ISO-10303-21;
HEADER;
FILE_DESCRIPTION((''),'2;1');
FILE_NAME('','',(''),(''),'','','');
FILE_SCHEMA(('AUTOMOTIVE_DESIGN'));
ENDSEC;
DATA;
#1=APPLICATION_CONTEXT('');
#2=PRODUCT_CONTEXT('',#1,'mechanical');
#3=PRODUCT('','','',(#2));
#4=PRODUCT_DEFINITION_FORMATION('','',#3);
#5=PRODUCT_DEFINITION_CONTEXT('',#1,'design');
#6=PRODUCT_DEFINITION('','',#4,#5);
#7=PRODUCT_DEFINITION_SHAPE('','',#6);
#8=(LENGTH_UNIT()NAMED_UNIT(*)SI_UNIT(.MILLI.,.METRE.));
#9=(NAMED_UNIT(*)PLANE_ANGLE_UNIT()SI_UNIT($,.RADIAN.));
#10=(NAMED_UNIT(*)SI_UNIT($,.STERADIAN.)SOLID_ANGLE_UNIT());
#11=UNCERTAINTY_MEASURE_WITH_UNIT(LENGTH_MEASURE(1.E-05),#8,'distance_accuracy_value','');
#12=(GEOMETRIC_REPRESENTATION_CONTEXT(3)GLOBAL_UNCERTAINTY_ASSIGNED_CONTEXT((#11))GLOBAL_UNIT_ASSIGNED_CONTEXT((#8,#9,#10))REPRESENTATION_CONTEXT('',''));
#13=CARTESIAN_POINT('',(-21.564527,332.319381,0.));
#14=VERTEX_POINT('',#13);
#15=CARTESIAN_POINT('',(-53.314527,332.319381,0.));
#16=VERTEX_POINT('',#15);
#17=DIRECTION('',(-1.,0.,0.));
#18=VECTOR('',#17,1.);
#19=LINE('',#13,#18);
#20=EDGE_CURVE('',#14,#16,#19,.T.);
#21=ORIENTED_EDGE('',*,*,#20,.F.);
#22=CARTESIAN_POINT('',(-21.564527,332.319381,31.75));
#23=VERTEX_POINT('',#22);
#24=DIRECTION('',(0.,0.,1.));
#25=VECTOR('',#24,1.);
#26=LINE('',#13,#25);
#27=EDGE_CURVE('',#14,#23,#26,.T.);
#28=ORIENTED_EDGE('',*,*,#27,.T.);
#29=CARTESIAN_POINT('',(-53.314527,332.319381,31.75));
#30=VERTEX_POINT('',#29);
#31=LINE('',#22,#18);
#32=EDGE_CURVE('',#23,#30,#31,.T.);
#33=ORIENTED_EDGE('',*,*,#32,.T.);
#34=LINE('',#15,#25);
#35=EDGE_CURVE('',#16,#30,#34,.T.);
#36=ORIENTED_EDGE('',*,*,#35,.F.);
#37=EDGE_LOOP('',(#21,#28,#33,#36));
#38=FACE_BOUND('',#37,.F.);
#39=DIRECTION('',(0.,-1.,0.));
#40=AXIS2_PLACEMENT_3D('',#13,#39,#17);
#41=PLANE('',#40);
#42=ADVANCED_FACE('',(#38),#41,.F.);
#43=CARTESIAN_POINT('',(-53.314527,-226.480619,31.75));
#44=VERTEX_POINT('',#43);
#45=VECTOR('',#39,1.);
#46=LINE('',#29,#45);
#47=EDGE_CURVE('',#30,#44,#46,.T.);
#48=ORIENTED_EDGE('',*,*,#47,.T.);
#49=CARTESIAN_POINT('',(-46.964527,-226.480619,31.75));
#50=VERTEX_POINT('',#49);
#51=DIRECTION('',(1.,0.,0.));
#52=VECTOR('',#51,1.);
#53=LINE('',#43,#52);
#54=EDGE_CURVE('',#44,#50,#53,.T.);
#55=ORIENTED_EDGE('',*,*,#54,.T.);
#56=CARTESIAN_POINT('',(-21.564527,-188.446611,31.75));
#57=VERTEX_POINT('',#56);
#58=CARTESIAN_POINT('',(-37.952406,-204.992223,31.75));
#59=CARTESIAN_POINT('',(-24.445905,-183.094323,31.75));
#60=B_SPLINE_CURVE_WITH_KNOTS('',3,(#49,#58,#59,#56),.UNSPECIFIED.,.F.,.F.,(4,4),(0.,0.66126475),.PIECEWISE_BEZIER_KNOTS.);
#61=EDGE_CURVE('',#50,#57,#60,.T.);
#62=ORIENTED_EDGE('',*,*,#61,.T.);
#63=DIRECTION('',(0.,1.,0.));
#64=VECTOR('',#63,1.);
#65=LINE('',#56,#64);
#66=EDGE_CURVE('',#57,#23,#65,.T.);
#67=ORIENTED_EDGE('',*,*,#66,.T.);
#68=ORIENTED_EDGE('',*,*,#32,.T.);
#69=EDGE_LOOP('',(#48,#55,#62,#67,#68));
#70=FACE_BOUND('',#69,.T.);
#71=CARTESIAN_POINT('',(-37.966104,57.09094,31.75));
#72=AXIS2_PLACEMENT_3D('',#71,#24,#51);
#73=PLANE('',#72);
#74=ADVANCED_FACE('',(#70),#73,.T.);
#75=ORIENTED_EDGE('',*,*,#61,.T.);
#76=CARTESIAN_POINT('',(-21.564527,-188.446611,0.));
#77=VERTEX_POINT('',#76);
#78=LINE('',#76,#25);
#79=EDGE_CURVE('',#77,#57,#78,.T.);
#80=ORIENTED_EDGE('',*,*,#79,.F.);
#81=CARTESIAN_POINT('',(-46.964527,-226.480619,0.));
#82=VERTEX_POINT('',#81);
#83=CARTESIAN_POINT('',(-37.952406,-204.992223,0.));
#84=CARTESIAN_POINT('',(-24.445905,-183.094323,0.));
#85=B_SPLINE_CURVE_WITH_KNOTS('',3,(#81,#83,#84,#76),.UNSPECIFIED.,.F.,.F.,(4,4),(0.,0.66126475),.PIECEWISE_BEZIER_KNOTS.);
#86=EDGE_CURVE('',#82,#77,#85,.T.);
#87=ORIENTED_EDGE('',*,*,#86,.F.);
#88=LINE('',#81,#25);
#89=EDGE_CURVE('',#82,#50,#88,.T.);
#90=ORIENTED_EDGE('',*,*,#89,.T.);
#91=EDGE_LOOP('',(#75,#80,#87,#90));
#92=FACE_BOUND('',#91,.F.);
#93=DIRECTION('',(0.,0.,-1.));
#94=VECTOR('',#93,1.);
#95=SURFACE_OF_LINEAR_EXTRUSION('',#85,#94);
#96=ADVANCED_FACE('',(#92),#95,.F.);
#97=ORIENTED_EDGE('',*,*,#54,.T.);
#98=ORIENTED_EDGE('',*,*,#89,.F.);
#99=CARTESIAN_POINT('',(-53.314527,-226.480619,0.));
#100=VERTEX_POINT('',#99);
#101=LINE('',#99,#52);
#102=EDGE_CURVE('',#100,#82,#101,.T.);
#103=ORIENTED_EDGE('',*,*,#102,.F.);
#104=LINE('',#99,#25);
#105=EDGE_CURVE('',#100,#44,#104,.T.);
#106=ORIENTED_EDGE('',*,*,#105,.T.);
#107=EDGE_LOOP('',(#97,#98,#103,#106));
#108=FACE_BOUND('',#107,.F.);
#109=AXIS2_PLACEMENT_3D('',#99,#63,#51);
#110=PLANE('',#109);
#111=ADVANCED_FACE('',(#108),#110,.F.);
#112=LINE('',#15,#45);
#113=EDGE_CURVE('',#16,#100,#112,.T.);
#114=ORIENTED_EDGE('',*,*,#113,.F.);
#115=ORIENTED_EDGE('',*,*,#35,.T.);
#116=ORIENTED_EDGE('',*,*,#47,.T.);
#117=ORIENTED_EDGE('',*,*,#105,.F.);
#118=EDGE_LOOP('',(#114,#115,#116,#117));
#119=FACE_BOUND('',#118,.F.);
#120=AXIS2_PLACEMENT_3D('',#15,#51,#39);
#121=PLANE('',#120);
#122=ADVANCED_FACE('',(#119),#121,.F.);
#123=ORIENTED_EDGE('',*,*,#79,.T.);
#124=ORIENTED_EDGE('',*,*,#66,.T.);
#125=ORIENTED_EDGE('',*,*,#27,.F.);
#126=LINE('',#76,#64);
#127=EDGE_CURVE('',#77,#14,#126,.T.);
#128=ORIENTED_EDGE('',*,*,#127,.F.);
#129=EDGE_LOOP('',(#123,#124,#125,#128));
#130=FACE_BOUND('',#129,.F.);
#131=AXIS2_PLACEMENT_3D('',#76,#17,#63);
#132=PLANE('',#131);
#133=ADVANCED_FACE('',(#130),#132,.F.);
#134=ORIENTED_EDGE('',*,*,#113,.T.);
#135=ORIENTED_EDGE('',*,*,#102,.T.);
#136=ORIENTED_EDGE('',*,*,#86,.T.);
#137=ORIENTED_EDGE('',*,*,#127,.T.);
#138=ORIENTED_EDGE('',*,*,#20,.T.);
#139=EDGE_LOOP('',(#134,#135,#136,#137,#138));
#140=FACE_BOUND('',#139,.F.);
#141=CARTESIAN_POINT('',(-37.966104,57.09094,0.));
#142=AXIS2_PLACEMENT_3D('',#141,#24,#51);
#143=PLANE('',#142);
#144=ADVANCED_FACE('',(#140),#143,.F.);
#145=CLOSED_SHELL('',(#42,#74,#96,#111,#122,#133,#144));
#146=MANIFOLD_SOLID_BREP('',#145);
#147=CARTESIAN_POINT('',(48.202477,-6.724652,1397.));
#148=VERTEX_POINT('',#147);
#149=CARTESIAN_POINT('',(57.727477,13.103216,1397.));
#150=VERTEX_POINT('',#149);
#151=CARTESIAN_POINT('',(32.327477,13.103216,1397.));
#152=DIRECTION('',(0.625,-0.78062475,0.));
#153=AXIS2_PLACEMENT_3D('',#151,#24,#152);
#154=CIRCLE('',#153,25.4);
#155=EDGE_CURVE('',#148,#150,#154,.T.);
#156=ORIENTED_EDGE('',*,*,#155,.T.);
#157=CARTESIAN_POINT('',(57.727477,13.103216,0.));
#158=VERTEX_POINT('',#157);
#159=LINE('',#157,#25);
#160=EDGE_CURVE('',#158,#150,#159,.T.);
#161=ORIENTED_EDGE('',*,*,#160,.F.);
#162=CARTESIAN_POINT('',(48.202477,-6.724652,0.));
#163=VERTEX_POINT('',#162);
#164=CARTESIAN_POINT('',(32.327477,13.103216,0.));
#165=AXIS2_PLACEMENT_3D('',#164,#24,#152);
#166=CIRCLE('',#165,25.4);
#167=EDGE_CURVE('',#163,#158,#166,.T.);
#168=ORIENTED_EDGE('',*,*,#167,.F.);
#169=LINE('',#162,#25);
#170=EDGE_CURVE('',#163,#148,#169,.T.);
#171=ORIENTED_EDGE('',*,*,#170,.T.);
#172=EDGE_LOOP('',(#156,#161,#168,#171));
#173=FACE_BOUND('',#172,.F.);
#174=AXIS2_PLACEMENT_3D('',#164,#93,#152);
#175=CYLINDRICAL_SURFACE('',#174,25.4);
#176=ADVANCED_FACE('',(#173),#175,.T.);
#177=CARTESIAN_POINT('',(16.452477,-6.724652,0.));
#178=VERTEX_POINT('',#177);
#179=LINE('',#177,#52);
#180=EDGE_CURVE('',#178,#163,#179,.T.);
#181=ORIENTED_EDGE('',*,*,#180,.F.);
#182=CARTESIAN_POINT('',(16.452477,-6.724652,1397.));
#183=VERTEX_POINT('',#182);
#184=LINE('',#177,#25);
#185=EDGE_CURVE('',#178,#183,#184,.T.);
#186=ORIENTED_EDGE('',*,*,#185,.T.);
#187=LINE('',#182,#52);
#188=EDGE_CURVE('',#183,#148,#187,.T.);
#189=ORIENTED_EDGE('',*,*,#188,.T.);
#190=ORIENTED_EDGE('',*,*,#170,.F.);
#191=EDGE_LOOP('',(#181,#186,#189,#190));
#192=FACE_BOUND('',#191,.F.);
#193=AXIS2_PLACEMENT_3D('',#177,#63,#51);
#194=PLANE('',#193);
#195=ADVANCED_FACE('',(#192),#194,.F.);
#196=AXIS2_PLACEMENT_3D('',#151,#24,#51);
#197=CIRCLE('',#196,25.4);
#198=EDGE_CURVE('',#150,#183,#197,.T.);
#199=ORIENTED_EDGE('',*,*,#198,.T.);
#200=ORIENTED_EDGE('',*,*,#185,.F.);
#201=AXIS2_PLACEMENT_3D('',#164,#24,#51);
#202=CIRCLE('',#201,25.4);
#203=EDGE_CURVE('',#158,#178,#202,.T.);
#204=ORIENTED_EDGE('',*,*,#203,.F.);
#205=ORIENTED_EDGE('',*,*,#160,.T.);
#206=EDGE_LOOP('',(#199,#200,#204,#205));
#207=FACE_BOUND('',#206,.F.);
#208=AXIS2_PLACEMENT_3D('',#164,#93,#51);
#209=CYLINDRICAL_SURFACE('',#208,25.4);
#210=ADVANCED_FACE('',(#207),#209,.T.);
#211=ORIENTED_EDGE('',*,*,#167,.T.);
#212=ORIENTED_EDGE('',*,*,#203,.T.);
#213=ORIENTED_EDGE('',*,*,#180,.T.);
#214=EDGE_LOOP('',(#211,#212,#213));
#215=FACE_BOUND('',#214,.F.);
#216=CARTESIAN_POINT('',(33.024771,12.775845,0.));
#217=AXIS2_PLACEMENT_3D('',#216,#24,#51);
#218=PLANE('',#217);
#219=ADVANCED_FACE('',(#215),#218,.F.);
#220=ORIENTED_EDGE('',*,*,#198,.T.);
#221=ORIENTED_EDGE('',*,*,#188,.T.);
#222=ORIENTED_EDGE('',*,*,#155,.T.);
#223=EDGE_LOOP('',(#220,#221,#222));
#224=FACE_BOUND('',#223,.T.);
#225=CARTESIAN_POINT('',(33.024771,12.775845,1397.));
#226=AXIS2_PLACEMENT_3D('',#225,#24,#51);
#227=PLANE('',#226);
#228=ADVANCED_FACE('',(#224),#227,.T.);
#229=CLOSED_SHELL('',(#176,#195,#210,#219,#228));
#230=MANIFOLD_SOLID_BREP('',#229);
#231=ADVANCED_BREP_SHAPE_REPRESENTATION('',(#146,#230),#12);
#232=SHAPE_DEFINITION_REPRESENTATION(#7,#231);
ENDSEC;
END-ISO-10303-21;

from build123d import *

# Parameters (mm, degrees)
F1_DEPTH = 31.75
F2_DEPTH = 1397


with BuildPart() as f1:
    # F0 (on Top) → F1 (new body)
    with BuildSketch(Plane.XY):
        with BuildLine():
            Line((-21.564527309, 332.3193811532), (-53.314527309, 332.3193811532))
            Line((-53.314527309, 332.3193811532), (-53.314527309, -124.8806188468))
            Line((-53.314527309, -124.8806188468), (-53.314527309, -226.4806188468))
            Line((-53.314527309, -226.4806188468), (-46.964527309, -226.4806188468))
            add(Edge.make_bspline(
                [(-46.964527309, -226.4806188468), (-37.9524062661, -204.9922225277), (-24.445905234, -183.0943230735), (-21.564527309, -188.4466105272)],
                knots=[0, 0, 0, 0, 0.6612647504, 0.6612647504, 0.6612647504, 0.6612647504], degree=3))
            Line((-21.564527309, -188.4466105272), (-21.564527309, 332.3193811532))
        make_face()
    extrude(amount=F1_DEPTH)


with BuildPart() as f2:
    # F0 (on Top) → F2 (new body)
    with BuildSketch(Plane.XY):
        with BuildLine():
            ThreePointArc((48.2024768531, -6.7246523686), (55.2227274523, 2.1046936483), (57.7274768531, 13.1032162763))
            ThreePointArc((57.7274768531, 13.1032162763), (21.3289542251, 35.9984668755), (16.4524768531, -6.7246523686))
            Line((16.4524768531, -6.7246523686), (48.2024768531, -6.7246523686))
        make_face()
    extrude(amount=F2_DEPTH)


solid = Compound([f1.part, f2.part])
